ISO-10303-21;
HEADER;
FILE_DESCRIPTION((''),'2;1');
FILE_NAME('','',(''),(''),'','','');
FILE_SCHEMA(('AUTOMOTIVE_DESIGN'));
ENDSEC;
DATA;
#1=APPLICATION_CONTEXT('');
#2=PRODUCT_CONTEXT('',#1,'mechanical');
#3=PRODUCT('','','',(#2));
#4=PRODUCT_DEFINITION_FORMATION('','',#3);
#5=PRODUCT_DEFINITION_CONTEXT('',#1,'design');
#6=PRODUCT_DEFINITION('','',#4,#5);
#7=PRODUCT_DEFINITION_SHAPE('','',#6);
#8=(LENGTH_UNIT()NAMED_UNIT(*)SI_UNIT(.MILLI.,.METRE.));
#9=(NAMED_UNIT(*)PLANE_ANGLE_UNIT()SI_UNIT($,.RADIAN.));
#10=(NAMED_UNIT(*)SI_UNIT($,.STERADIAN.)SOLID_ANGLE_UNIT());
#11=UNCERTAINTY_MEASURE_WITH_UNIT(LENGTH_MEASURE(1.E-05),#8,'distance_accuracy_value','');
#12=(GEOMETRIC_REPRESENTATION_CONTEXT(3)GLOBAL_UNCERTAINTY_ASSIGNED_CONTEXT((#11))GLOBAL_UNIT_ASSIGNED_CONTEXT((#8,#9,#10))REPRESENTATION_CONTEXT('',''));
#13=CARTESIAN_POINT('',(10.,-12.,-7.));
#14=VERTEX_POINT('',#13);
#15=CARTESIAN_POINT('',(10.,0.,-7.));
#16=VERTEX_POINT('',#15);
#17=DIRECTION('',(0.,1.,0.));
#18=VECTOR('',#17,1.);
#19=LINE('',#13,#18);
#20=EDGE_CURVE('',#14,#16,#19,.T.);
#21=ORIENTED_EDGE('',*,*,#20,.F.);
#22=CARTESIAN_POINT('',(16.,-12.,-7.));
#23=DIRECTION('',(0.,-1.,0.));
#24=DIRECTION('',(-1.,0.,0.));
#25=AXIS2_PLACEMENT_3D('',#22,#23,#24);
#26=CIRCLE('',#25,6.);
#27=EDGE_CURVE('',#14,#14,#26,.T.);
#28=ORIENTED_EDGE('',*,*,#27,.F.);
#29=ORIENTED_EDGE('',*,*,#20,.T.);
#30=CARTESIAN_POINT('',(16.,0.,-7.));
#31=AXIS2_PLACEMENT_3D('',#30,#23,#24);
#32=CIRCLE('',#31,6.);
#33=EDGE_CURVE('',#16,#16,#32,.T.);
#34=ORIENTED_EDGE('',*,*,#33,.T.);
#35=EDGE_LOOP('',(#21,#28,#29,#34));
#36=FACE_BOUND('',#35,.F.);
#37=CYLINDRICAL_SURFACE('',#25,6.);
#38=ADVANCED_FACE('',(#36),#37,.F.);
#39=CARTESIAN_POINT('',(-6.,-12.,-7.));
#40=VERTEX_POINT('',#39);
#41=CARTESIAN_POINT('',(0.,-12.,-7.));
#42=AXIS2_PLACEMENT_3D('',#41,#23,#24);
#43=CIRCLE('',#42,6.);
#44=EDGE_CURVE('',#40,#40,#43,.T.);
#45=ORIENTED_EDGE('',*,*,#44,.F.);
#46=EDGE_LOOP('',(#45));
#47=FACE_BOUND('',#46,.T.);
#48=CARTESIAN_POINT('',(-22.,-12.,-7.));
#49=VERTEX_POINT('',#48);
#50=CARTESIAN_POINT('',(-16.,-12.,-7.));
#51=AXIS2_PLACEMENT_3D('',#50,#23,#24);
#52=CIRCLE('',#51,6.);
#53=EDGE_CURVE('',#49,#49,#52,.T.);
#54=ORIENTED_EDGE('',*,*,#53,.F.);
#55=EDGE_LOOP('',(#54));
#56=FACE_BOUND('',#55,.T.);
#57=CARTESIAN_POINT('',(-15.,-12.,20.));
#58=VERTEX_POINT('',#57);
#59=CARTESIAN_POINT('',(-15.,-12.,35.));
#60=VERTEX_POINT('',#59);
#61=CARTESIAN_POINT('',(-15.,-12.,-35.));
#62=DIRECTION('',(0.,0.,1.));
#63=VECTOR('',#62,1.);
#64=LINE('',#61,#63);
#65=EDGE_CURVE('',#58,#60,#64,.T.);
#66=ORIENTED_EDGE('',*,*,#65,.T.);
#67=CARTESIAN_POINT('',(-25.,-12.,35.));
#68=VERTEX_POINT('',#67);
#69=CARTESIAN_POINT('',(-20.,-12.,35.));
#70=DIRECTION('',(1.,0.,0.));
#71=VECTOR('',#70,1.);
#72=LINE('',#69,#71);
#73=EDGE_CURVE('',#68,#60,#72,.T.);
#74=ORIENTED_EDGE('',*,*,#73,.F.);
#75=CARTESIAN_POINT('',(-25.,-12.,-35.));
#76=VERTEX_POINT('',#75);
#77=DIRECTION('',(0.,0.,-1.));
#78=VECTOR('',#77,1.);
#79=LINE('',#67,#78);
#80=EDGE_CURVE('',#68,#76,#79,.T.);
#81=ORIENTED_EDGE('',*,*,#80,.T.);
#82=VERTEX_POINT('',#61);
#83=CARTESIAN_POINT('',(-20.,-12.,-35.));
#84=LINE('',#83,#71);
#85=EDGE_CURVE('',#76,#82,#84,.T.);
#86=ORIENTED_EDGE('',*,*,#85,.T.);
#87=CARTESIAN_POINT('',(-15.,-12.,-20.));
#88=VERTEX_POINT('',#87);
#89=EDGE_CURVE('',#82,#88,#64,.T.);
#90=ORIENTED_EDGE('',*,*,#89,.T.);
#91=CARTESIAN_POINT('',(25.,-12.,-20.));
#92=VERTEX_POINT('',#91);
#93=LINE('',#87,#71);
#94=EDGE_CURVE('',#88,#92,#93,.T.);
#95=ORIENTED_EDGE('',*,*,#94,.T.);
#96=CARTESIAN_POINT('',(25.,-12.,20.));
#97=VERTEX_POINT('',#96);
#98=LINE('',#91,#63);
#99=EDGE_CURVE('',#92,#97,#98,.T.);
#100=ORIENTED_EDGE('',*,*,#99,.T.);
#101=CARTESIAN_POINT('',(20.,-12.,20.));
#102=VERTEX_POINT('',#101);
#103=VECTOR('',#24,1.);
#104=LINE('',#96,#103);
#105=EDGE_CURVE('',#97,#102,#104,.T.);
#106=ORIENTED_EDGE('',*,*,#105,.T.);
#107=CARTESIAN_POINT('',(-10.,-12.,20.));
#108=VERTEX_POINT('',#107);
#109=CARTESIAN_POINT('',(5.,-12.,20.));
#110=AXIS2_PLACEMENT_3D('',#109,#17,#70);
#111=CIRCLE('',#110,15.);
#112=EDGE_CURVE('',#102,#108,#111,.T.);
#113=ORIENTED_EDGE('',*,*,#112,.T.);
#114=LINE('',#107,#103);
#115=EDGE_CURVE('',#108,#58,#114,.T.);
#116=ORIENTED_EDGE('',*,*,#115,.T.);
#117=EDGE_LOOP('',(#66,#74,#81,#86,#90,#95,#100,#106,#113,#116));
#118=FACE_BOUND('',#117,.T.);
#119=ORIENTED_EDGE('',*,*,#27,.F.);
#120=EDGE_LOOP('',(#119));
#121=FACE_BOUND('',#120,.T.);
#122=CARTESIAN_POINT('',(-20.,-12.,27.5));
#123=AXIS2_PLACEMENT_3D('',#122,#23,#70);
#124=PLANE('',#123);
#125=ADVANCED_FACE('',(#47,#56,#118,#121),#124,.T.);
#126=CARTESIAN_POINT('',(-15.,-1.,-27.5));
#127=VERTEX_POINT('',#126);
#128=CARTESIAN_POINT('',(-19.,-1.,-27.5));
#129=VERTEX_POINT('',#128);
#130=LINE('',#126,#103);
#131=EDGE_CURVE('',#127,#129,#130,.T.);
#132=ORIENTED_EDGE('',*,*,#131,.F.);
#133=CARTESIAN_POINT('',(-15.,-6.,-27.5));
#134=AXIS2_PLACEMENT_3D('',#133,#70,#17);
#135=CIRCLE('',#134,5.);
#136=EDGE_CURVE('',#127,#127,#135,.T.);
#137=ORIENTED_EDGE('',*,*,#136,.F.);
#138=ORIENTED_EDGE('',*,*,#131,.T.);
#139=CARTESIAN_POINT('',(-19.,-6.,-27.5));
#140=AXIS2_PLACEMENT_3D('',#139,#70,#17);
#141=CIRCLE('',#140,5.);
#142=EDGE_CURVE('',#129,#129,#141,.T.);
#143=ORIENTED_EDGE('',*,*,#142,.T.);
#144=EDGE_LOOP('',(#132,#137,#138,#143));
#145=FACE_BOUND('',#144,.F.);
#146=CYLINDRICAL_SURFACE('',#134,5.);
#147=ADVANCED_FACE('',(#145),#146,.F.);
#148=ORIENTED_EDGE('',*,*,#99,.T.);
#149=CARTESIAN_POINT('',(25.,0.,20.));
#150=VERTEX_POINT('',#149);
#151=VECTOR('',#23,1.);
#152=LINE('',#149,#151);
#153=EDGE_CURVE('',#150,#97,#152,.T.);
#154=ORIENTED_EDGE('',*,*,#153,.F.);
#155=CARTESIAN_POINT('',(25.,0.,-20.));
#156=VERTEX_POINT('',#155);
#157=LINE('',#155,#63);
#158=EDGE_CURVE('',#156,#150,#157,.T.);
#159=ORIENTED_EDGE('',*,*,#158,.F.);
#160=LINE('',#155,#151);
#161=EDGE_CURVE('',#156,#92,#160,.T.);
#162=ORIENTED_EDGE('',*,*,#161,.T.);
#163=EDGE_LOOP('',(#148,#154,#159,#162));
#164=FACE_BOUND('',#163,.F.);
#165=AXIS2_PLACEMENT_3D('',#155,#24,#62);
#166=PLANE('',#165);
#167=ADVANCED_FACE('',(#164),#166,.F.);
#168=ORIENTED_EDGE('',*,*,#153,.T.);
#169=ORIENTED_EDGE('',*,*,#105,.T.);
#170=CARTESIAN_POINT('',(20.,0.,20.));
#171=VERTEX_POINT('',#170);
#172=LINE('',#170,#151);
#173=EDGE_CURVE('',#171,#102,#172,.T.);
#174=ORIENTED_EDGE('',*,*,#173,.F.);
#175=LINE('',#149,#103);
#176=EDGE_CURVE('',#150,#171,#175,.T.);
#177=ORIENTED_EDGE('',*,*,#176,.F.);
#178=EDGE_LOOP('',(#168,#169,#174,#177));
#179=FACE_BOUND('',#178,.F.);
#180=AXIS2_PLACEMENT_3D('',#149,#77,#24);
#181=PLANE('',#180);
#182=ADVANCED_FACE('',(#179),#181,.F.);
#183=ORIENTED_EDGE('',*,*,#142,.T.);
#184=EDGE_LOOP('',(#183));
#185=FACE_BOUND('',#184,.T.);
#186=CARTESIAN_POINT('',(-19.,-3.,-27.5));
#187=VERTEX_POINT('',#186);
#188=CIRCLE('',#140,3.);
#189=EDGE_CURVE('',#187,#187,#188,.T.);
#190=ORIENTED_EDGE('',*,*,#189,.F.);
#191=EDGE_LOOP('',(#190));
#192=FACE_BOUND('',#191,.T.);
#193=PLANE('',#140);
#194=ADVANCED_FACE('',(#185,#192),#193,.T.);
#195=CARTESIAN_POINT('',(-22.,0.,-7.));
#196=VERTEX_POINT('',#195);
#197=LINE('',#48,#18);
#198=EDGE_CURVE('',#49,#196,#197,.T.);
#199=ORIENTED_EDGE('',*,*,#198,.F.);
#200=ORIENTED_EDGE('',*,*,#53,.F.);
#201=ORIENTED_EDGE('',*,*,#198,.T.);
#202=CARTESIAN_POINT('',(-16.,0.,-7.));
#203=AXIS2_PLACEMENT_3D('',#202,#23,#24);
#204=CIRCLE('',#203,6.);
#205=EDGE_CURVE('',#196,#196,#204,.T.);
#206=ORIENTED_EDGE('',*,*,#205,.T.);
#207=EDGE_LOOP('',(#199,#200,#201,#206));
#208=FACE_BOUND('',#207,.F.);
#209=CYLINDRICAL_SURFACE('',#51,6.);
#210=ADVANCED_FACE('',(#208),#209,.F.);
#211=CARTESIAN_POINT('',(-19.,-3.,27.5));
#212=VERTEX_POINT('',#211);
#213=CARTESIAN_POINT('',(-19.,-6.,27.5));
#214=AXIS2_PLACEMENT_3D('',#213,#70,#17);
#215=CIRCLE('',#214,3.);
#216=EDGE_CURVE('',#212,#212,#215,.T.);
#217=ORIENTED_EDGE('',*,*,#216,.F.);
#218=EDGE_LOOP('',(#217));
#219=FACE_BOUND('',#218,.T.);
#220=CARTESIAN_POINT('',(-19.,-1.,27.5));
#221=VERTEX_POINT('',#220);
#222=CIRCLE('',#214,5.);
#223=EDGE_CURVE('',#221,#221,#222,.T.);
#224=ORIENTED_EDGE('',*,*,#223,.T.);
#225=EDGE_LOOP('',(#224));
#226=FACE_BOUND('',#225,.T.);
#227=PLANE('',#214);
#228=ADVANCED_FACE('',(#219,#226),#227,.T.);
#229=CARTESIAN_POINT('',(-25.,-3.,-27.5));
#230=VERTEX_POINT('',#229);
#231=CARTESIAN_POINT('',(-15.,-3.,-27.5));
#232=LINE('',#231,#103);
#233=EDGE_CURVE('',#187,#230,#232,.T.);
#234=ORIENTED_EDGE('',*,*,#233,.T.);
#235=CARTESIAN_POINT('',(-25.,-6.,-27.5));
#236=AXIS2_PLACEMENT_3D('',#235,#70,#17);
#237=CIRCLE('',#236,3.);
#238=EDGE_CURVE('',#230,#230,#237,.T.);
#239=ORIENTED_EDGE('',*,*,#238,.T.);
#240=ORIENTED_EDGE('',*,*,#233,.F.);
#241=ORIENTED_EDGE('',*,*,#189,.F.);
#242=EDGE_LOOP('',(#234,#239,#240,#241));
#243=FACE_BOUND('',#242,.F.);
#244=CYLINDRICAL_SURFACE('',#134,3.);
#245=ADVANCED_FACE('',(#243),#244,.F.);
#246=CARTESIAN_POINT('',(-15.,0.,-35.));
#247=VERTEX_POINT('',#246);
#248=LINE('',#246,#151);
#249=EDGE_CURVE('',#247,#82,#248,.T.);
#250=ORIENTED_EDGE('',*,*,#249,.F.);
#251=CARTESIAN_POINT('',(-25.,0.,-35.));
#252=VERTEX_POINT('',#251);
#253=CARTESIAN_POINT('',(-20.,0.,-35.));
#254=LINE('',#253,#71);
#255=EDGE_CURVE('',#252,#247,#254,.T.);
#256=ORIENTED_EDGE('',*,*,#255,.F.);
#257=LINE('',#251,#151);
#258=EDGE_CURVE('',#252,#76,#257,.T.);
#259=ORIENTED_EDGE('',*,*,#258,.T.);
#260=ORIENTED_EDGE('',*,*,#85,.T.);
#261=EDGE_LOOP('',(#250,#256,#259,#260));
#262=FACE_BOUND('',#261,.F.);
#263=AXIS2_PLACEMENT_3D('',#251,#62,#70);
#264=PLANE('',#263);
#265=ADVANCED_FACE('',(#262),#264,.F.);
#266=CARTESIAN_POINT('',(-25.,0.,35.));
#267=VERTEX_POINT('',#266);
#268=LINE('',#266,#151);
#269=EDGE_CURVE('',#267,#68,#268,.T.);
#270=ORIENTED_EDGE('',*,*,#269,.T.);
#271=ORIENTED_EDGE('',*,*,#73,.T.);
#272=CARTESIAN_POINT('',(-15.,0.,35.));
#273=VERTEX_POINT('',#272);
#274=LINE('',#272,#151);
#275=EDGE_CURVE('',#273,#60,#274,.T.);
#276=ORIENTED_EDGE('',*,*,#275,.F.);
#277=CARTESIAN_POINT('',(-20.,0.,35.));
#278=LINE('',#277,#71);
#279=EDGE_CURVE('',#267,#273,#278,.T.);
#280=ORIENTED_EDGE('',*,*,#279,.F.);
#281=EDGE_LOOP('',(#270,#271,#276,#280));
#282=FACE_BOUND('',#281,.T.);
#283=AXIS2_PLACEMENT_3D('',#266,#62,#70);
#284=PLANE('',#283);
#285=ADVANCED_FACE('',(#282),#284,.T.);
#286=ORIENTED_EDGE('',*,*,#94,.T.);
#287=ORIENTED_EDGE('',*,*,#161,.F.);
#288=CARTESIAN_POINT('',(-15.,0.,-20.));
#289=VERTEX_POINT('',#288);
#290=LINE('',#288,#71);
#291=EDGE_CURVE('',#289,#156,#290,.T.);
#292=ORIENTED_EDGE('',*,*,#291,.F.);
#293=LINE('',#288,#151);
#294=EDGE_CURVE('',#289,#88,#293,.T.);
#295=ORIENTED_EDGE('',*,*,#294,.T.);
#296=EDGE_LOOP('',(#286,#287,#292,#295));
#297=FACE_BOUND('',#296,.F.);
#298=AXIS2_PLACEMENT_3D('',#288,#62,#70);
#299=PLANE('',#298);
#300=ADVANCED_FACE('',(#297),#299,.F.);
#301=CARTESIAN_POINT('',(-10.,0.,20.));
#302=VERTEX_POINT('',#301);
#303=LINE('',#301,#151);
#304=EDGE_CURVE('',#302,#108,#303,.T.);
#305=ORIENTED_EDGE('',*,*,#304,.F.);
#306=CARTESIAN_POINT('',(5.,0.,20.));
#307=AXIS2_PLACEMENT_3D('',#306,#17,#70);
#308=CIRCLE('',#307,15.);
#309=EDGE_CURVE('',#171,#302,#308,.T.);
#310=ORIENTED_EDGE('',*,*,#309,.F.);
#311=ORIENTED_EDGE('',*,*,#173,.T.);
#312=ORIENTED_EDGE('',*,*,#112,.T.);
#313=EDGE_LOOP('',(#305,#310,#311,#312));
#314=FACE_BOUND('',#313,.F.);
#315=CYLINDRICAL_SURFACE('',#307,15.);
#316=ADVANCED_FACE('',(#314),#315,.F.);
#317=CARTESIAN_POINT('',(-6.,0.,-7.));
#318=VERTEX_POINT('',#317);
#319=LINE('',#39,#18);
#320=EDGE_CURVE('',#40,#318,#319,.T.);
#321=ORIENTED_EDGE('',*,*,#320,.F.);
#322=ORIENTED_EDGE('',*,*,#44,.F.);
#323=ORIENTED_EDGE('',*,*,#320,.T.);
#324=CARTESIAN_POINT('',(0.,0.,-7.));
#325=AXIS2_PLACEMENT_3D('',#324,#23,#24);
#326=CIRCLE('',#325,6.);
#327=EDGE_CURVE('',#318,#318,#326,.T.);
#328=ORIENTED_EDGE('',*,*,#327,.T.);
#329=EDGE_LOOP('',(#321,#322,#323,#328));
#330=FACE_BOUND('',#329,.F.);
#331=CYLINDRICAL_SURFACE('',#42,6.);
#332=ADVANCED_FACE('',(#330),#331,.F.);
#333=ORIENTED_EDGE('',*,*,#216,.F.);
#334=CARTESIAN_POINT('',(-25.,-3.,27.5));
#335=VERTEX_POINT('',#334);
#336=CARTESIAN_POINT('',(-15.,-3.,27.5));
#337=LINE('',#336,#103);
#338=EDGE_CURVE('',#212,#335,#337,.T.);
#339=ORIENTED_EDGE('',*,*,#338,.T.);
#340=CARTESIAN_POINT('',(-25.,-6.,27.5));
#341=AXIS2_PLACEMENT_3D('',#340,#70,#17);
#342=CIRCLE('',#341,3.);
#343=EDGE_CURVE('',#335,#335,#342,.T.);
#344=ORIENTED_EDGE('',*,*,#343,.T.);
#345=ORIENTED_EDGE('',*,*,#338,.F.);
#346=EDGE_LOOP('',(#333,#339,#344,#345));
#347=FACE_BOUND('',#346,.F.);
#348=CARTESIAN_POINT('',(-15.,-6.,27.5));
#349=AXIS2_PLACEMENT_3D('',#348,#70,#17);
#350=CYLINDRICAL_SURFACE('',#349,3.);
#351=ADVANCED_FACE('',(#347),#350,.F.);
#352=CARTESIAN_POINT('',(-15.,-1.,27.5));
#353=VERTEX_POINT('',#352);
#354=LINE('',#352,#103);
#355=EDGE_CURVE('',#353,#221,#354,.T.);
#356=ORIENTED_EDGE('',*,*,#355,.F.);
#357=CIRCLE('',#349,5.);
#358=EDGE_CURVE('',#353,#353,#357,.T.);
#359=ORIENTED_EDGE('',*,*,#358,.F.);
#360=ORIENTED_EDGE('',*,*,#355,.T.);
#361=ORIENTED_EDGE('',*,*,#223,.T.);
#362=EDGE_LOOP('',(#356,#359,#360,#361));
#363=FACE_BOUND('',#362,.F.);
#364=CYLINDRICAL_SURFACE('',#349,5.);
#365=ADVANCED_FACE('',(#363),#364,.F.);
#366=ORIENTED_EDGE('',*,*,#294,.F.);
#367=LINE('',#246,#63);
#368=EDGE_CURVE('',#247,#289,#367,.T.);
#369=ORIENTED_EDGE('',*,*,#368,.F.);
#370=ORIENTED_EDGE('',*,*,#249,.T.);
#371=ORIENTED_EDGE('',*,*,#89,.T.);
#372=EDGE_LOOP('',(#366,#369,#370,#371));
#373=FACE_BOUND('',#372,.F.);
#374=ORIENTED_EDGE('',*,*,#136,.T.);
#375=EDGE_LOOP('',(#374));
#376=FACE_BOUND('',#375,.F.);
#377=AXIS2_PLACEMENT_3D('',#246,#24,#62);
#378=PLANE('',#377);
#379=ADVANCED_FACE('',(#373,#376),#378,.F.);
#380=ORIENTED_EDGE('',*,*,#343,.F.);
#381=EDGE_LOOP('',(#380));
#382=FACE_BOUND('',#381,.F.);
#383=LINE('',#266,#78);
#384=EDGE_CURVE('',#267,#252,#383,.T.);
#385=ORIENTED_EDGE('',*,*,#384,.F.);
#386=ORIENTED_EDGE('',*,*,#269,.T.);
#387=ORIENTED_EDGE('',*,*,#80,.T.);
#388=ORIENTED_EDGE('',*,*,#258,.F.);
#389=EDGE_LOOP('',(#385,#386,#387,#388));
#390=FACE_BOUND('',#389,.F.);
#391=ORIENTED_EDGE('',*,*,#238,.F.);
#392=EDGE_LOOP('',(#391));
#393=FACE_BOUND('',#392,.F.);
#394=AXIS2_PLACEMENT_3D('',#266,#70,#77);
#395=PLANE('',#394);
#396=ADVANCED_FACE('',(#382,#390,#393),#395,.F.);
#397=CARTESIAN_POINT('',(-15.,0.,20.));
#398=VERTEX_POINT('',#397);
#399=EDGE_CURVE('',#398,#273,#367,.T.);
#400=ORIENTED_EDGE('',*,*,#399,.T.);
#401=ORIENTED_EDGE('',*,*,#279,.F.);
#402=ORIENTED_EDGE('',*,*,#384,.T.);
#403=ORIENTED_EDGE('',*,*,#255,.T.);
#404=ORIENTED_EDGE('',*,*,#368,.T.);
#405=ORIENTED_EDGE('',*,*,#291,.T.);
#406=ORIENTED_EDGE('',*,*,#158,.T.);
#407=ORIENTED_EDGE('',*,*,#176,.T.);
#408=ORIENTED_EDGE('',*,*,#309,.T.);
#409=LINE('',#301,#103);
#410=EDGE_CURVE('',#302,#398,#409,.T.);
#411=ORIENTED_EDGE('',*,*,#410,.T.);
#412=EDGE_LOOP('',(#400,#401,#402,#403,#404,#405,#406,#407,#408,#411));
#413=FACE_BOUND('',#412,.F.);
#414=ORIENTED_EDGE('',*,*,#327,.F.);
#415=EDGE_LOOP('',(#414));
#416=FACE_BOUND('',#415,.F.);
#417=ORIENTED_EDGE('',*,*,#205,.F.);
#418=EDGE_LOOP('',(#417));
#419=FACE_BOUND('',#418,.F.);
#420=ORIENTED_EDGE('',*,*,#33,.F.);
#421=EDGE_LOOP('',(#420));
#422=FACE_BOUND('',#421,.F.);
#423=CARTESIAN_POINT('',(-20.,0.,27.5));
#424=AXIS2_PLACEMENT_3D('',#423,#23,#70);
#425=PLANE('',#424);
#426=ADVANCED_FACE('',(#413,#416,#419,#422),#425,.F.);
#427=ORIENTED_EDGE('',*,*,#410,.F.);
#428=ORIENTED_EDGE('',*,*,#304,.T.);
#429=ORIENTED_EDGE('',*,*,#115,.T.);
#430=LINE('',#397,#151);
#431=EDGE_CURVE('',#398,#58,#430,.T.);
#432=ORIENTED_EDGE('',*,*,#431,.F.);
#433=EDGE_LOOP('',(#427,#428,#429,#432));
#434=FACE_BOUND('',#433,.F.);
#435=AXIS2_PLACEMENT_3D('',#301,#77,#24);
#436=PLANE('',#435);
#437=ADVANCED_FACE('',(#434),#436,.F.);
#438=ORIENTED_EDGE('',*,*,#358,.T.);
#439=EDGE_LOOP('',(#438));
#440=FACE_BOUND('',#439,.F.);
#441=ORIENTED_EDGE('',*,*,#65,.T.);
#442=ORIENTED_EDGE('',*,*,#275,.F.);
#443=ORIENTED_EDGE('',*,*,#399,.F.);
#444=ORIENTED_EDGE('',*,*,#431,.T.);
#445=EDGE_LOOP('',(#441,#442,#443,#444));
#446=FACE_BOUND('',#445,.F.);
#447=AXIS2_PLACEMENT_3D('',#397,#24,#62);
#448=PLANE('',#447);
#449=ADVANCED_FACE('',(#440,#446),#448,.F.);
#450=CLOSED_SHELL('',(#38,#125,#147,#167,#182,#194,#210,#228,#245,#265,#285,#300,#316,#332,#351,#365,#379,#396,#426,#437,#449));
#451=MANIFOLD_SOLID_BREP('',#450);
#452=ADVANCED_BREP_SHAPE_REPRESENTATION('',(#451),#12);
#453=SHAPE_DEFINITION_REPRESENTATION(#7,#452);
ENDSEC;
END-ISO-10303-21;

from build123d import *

# Parameters (mm, degrees)
F0_W      = 10
F0_H      = 15
F0_H_2    = 40
F1_DEPTH  = 12
F2_R      = 3
F3_DEPTH  = 10.001
F4_R      = 5
F4_R_2    = 3
F5_DEPTH  = 4
F6_R      = 3
F7_DEPTH  = 10.001
F8_R      = 5
F8_R_2    = 3
F9_DEPTH  = 4
F11_DEPTH = 12.001


with BuildPart() as f1:
    # F0 (on Front) → F1 (new body)
    with BuildSketch(Plane.XZ):
        with Locations((-20, 27.5)):
            Rectangle(F0_W, F0_H)
        with Locations((-20, 0)):
            Rectangle(F0_W, F0_H_2)
        with Locations((-20, -27.5)):
            Rectangle(F0_W, F0_H)
        with BuildLine():
            Line((-15, -20), (25, -20))
            Line((25, -20), (25, 20))
            Line((25, 20), (20, 20))
            ThreePointArc((20, 20), (5, 5), (-10, 20))
            Line((-10, 20), (-15, 20))
            Line((-15, 20), (-15, -20))
        make_face()
    extrude(amount=F1_DEPTH)

    # F2 (on face) → F3 (cut, through all)
    with BuildSketch(Plane.YZ.offset(-15)):
        with Locations((-6, 27.5)):
            Circle(F2_R)
    extrude(amount=-F3_DEPTH, mode=Mode.SUBTRACT)

    # F4 (on face) → F5 (cut)
    with BuildSketch(Plane.YZ.offset(-15)):
        with Locations((-6, 27.5)):
            Circle(F4_R)
        with Locations((-6, 27.5)):
            Circle(F4_R_2, mode=Mode.SUBTRACT)
    extrude(amount=-F5_DEPTH, mode=Mode.SUBTRACT)

    # F6 (on face) → F7 (cut, through all)
    with BuildSketch(Plane.YZ.offset(-15)):
        with Locations((-6, -27.5)):
            Circle(F6_R)
    extrude(amount=-F7_DEPTH, mode=Mode.SUBTRACT)

    # F8 (on face) → F9 (cut)
    with BuildSketch(Plane.YZ.offset(-15)):
        with Locations((-6, -27.5)):
            Circle(F8_R)
        with Locations((-6, -27.5)):
            Circle(F8_R_2, mode=Mode.SUBTRACT)
    extrude(amount=-F9_DEPTH, mode=Mode.SUBTRACT)

    # F10 (on face) → F11 (cut, through all)
    with BuildSketch(Plane.XZ.offset(12)):
        with BuildLine():
            Line((-22, -7), (-10, -7))
            ThreePointArc((-10, -7), (-16, -1), (-22, -7))
        make_face()
        with BuildLine():
            ThreePointArc((-22, -7), (-16, -13), (-10, -7))
            Line((-10, -7), (-22, -7))
        make_face()
        with BuildLine():
            Line((-6, -7), (6, -7))
            ThreePointArc((6, -7), (0, -1), (-6, -7))
        make_face()
        with BuildLine():
            ThreePointArc((-6, -7), (0, -13), (6, -7))
            Line((6, -7), (-6, -7))
        make_face()
        with BuildLine():
            Line((10, -7), (22, -7))
            ThreePointArc((22, -7), (16, -1), (10, -7))
        make_face()
        with BuildLine():
            ThreePointArc((10, -7), (16, -13), (22, -7))
            Line((22, -7), (10, -7))
        make_face()
    extrude(amount=-F11_DEPTH, mode=Mode.SUBTRACT)


solid = f1.part
